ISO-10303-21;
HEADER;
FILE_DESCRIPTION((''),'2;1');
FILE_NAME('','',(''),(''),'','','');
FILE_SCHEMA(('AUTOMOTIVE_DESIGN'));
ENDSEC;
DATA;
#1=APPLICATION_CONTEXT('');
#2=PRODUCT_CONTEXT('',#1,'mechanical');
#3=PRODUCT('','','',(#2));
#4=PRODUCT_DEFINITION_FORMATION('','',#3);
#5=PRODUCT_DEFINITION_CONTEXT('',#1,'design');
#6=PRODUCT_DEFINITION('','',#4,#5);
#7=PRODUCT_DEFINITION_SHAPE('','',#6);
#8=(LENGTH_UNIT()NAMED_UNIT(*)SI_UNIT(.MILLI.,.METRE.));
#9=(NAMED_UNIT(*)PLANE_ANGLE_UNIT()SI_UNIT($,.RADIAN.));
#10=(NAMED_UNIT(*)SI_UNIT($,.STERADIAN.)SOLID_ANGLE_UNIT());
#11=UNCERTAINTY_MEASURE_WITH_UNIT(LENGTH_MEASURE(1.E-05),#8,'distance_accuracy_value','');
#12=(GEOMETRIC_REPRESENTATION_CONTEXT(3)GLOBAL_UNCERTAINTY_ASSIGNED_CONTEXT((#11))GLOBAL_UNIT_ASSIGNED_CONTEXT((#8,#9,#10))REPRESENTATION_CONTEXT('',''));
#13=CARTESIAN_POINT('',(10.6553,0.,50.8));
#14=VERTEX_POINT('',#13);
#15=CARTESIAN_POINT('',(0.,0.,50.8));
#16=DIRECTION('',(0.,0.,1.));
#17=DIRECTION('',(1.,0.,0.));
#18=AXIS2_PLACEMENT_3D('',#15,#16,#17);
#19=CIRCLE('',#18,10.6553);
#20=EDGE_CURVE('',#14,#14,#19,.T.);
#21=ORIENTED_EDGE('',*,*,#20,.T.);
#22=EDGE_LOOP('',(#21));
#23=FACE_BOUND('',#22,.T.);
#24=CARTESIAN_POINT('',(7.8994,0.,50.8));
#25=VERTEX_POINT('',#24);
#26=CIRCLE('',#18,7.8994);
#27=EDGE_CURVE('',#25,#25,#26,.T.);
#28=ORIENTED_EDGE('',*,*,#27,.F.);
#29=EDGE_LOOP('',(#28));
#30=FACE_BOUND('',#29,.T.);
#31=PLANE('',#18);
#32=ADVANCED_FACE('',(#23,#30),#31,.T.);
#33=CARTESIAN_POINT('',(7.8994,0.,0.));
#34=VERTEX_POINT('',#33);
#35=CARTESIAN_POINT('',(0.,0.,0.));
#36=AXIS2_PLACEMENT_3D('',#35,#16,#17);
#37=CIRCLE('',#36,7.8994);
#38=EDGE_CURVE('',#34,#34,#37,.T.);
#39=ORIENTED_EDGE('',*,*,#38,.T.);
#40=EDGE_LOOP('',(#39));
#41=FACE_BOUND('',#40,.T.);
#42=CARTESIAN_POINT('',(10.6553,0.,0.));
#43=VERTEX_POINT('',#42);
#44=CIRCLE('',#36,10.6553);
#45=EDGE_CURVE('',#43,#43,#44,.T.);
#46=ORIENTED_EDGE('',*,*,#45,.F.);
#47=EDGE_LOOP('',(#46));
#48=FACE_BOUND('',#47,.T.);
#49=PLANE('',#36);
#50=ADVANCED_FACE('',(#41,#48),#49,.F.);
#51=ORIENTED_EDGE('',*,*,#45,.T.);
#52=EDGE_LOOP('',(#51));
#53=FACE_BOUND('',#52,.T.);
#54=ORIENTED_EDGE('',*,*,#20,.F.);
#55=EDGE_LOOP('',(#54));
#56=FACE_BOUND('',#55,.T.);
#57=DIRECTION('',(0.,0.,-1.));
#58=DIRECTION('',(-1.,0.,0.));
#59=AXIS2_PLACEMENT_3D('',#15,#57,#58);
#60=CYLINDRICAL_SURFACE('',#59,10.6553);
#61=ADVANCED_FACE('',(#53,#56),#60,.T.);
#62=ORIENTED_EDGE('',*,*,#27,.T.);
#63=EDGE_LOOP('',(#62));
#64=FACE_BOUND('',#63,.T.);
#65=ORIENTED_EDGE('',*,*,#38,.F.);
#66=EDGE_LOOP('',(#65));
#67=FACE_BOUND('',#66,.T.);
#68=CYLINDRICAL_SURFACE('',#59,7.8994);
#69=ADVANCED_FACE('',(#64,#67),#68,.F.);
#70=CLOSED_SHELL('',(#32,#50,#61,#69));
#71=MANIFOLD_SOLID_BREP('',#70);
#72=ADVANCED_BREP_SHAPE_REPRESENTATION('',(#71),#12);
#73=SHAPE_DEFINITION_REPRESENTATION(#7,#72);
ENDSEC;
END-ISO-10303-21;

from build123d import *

# Parameters (mm, degrees)
SKETCH1_R           = 10.6553
SKETCH1_R_2         = 7.8994
BOSS_EXTRUDE1_DEPTH = 50.8


with BuildPart() as part:
    # Sketch1 → Boss-Extrude1 (new body)
    with BuildSketch(Plane.XY):
        Circle(SKETCH1_R)
        Circle(SKETCH1_R_2, mode=Mode.SUBTRACT)
    extrude(amount=BOSS_EXTRUDE1_DEPTH)


solid = part.part
